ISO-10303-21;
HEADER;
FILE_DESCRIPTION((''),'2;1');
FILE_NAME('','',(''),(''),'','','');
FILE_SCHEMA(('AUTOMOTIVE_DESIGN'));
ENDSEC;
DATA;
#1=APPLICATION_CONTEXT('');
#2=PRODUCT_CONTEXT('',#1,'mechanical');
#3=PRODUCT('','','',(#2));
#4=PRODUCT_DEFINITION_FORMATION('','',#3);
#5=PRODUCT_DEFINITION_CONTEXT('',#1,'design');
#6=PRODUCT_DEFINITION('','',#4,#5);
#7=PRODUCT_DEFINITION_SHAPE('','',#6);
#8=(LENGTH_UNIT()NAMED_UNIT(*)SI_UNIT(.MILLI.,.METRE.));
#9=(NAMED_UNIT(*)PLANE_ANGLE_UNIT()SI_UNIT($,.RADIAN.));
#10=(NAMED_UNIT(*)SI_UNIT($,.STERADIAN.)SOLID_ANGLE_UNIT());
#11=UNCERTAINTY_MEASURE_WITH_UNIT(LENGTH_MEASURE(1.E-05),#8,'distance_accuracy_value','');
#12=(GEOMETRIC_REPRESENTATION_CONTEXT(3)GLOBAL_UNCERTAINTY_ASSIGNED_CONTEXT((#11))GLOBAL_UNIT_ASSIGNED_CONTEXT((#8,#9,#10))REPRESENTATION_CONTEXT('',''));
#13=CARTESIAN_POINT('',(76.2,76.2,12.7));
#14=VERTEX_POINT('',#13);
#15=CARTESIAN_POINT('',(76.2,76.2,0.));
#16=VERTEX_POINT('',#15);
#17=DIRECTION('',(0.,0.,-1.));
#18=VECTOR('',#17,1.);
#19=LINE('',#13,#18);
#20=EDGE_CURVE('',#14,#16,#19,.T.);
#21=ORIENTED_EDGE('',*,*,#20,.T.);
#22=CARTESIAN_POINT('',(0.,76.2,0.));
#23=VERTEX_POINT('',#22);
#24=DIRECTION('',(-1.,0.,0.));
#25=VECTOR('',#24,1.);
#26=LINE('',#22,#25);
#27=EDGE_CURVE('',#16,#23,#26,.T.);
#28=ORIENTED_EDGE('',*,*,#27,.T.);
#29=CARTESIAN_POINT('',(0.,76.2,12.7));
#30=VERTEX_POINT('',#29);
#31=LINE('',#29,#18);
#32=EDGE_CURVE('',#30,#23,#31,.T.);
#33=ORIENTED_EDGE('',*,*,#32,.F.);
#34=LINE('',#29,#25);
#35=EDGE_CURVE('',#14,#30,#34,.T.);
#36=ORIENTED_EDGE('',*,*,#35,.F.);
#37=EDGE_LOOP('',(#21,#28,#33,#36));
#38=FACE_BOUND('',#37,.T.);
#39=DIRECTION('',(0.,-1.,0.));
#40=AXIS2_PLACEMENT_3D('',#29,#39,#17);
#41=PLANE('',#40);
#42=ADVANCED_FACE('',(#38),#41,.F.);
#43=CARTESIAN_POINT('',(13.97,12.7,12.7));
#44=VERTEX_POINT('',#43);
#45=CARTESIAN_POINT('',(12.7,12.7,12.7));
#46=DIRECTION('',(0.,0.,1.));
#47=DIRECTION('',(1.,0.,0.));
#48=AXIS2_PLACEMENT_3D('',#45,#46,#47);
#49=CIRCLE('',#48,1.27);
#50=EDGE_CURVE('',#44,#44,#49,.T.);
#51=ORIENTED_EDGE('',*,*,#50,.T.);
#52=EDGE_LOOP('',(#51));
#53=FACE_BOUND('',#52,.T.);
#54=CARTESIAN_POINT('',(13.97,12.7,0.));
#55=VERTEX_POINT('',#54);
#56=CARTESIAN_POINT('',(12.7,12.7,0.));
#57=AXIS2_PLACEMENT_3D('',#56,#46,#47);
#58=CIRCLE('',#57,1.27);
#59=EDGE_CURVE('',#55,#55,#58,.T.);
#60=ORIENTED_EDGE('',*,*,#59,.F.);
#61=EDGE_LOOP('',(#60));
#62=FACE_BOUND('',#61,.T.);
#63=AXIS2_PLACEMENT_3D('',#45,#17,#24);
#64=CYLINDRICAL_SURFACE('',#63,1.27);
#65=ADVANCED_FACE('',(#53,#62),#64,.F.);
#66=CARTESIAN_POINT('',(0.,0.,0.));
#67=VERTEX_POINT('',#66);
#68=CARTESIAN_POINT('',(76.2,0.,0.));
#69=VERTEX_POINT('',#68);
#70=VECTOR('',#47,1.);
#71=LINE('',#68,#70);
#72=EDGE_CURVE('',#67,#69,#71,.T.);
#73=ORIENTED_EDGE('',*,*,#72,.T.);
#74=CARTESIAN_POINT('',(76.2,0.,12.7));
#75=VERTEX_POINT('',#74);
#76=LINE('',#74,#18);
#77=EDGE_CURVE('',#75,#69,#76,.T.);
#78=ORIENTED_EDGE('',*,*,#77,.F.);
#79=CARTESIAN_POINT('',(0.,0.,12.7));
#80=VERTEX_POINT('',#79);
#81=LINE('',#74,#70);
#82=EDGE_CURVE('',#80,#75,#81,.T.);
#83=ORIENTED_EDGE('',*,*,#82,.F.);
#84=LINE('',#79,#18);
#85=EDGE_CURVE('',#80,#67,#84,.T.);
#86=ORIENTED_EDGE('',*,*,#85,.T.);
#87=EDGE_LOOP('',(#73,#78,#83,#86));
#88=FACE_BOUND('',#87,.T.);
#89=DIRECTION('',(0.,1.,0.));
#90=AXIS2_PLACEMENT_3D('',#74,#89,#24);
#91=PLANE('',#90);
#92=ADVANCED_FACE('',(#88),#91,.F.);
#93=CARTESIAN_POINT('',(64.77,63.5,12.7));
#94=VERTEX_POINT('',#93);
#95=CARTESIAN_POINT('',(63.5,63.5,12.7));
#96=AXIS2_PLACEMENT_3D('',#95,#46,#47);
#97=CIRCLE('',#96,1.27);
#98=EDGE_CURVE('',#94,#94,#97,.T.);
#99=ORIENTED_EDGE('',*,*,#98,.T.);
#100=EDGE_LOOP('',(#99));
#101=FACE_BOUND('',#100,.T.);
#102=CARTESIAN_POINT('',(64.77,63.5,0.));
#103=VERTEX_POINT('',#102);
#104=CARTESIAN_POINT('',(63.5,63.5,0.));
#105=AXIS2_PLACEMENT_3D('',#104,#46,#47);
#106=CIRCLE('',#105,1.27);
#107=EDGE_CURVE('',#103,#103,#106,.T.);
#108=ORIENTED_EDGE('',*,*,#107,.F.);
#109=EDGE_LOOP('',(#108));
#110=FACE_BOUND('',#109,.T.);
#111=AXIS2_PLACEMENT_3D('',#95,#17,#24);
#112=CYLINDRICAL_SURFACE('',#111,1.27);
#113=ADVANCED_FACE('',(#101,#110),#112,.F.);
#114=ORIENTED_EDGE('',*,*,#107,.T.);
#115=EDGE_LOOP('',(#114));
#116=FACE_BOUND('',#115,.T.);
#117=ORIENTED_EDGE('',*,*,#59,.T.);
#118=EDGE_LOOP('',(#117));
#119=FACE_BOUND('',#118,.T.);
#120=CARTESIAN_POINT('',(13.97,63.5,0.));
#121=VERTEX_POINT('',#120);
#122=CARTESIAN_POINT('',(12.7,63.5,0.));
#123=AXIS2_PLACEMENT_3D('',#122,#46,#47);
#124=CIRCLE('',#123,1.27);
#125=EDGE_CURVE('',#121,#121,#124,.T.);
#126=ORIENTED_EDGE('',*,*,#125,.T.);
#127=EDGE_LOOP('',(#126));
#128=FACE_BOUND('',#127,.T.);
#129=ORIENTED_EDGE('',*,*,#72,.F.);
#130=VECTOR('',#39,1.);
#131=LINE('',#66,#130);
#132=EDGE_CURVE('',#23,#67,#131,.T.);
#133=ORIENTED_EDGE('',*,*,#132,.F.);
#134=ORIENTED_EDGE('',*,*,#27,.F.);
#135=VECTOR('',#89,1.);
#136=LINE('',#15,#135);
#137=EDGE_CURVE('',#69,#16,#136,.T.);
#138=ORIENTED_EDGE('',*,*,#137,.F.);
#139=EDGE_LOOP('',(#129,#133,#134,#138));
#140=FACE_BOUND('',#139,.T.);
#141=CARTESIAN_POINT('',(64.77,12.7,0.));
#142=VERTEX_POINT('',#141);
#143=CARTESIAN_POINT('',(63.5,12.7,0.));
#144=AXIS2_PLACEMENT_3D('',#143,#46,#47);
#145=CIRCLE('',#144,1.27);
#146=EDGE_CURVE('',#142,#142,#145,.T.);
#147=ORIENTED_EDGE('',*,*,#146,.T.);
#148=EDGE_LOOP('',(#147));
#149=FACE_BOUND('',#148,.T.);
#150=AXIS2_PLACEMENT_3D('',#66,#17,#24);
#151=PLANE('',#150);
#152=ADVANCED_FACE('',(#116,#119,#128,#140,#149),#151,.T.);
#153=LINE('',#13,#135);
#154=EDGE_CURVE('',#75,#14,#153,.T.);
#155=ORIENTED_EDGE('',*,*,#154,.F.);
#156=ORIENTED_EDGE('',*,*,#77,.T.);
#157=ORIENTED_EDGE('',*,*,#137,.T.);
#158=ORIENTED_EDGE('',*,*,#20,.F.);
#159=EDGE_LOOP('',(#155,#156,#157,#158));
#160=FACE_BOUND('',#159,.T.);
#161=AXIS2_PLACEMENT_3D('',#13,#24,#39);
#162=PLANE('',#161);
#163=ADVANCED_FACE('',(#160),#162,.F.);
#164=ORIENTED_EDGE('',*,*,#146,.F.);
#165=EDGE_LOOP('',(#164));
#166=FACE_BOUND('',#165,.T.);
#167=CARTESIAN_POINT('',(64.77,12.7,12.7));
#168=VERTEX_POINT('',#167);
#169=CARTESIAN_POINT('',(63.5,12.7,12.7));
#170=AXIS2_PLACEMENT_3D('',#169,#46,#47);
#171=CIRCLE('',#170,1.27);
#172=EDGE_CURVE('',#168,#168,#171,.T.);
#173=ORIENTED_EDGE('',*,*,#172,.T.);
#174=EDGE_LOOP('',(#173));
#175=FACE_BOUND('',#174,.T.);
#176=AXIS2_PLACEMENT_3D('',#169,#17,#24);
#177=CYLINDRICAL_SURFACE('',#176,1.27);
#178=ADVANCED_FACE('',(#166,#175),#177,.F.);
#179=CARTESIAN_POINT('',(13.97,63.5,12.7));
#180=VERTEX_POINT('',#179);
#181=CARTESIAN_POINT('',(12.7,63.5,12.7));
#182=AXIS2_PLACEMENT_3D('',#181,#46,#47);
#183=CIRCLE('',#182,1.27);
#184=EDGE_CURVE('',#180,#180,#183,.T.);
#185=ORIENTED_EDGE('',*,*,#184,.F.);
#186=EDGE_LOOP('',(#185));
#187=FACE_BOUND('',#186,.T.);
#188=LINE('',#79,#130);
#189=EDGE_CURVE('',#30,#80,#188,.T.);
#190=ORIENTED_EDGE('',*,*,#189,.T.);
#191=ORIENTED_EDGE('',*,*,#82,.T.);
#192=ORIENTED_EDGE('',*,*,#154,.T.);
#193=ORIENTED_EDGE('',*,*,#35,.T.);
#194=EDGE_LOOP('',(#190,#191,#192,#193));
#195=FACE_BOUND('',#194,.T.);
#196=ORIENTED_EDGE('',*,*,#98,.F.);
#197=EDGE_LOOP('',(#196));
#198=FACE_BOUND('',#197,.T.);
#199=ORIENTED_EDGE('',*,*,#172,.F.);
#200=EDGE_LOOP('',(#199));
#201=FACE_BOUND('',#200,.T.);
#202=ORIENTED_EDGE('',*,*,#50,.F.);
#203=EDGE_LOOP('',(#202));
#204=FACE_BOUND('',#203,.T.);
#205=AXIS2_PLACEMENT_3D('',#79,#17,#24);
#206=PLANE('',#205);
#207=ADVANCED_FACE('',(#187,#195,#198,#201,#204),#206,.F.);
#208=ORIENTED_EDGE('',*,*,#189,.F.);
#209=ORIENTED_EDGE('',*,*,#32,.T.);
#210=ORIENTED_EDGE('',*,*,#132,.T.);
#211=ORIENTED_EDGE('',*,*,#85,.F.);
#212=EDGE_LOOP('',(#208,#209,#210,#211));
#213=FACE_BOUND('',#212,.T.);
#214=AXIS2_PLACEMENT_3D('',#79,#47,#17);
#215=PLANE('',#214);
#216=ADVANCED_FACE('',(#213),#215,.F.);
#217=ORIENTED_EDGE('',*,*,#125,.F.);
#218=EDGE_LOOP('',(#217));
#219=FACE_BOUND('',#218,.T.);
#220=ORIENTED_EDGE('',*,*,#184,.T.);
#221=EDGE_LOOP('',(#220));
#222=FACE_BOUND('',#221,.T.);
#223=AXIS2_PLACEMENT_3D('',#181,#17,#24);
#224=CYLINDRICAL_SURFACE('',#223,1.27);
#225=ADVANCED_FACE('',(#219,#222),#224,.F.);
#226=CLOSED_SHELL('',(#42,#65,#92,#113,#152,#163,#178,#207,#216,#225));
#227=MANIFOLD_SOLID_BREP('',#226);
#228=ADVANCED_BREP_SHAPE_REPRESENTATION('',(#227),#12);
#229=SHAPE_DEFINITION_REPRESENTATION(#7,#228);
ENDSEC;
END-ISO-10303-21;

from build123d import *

# Parameters (mm, degrees)
SKETCH1_W           = 76.2
SKETCH1_H           = 76.2
SKETCH1_R           = 1.27
BOSS_EXTRUDE1_DEPTH = 12.7


with BuildPart() as part:
    # Sketch1 → Boss-Extrude1 (new body)
    with BuildSketch(Plane.XY):
        with Locations((38.1, 38.1)):
            Rectangle(SKETCH1_W, SKETCH1_H)
        with Locations((12.7, 12.7)):
            Circle(SKETCH1_R, mode=Mode.SUBTRACT)
        with Locations((12.7, 63.5)):
            Circle(SKETCH1_R, mode=Mode.SUBTRACT)
        with Locations((63.5, 63.5)):
            Circle(SKETCH1_R, mode=Mode.SUBTRACT)
        with Locations((63.5, 12.7)):
            Circle(SKETCH1_R, mode=Mode.SUBTRACT)
    extrude(amount=BOSS_EXTRUDE1_DEPTH)


solid = part.part
